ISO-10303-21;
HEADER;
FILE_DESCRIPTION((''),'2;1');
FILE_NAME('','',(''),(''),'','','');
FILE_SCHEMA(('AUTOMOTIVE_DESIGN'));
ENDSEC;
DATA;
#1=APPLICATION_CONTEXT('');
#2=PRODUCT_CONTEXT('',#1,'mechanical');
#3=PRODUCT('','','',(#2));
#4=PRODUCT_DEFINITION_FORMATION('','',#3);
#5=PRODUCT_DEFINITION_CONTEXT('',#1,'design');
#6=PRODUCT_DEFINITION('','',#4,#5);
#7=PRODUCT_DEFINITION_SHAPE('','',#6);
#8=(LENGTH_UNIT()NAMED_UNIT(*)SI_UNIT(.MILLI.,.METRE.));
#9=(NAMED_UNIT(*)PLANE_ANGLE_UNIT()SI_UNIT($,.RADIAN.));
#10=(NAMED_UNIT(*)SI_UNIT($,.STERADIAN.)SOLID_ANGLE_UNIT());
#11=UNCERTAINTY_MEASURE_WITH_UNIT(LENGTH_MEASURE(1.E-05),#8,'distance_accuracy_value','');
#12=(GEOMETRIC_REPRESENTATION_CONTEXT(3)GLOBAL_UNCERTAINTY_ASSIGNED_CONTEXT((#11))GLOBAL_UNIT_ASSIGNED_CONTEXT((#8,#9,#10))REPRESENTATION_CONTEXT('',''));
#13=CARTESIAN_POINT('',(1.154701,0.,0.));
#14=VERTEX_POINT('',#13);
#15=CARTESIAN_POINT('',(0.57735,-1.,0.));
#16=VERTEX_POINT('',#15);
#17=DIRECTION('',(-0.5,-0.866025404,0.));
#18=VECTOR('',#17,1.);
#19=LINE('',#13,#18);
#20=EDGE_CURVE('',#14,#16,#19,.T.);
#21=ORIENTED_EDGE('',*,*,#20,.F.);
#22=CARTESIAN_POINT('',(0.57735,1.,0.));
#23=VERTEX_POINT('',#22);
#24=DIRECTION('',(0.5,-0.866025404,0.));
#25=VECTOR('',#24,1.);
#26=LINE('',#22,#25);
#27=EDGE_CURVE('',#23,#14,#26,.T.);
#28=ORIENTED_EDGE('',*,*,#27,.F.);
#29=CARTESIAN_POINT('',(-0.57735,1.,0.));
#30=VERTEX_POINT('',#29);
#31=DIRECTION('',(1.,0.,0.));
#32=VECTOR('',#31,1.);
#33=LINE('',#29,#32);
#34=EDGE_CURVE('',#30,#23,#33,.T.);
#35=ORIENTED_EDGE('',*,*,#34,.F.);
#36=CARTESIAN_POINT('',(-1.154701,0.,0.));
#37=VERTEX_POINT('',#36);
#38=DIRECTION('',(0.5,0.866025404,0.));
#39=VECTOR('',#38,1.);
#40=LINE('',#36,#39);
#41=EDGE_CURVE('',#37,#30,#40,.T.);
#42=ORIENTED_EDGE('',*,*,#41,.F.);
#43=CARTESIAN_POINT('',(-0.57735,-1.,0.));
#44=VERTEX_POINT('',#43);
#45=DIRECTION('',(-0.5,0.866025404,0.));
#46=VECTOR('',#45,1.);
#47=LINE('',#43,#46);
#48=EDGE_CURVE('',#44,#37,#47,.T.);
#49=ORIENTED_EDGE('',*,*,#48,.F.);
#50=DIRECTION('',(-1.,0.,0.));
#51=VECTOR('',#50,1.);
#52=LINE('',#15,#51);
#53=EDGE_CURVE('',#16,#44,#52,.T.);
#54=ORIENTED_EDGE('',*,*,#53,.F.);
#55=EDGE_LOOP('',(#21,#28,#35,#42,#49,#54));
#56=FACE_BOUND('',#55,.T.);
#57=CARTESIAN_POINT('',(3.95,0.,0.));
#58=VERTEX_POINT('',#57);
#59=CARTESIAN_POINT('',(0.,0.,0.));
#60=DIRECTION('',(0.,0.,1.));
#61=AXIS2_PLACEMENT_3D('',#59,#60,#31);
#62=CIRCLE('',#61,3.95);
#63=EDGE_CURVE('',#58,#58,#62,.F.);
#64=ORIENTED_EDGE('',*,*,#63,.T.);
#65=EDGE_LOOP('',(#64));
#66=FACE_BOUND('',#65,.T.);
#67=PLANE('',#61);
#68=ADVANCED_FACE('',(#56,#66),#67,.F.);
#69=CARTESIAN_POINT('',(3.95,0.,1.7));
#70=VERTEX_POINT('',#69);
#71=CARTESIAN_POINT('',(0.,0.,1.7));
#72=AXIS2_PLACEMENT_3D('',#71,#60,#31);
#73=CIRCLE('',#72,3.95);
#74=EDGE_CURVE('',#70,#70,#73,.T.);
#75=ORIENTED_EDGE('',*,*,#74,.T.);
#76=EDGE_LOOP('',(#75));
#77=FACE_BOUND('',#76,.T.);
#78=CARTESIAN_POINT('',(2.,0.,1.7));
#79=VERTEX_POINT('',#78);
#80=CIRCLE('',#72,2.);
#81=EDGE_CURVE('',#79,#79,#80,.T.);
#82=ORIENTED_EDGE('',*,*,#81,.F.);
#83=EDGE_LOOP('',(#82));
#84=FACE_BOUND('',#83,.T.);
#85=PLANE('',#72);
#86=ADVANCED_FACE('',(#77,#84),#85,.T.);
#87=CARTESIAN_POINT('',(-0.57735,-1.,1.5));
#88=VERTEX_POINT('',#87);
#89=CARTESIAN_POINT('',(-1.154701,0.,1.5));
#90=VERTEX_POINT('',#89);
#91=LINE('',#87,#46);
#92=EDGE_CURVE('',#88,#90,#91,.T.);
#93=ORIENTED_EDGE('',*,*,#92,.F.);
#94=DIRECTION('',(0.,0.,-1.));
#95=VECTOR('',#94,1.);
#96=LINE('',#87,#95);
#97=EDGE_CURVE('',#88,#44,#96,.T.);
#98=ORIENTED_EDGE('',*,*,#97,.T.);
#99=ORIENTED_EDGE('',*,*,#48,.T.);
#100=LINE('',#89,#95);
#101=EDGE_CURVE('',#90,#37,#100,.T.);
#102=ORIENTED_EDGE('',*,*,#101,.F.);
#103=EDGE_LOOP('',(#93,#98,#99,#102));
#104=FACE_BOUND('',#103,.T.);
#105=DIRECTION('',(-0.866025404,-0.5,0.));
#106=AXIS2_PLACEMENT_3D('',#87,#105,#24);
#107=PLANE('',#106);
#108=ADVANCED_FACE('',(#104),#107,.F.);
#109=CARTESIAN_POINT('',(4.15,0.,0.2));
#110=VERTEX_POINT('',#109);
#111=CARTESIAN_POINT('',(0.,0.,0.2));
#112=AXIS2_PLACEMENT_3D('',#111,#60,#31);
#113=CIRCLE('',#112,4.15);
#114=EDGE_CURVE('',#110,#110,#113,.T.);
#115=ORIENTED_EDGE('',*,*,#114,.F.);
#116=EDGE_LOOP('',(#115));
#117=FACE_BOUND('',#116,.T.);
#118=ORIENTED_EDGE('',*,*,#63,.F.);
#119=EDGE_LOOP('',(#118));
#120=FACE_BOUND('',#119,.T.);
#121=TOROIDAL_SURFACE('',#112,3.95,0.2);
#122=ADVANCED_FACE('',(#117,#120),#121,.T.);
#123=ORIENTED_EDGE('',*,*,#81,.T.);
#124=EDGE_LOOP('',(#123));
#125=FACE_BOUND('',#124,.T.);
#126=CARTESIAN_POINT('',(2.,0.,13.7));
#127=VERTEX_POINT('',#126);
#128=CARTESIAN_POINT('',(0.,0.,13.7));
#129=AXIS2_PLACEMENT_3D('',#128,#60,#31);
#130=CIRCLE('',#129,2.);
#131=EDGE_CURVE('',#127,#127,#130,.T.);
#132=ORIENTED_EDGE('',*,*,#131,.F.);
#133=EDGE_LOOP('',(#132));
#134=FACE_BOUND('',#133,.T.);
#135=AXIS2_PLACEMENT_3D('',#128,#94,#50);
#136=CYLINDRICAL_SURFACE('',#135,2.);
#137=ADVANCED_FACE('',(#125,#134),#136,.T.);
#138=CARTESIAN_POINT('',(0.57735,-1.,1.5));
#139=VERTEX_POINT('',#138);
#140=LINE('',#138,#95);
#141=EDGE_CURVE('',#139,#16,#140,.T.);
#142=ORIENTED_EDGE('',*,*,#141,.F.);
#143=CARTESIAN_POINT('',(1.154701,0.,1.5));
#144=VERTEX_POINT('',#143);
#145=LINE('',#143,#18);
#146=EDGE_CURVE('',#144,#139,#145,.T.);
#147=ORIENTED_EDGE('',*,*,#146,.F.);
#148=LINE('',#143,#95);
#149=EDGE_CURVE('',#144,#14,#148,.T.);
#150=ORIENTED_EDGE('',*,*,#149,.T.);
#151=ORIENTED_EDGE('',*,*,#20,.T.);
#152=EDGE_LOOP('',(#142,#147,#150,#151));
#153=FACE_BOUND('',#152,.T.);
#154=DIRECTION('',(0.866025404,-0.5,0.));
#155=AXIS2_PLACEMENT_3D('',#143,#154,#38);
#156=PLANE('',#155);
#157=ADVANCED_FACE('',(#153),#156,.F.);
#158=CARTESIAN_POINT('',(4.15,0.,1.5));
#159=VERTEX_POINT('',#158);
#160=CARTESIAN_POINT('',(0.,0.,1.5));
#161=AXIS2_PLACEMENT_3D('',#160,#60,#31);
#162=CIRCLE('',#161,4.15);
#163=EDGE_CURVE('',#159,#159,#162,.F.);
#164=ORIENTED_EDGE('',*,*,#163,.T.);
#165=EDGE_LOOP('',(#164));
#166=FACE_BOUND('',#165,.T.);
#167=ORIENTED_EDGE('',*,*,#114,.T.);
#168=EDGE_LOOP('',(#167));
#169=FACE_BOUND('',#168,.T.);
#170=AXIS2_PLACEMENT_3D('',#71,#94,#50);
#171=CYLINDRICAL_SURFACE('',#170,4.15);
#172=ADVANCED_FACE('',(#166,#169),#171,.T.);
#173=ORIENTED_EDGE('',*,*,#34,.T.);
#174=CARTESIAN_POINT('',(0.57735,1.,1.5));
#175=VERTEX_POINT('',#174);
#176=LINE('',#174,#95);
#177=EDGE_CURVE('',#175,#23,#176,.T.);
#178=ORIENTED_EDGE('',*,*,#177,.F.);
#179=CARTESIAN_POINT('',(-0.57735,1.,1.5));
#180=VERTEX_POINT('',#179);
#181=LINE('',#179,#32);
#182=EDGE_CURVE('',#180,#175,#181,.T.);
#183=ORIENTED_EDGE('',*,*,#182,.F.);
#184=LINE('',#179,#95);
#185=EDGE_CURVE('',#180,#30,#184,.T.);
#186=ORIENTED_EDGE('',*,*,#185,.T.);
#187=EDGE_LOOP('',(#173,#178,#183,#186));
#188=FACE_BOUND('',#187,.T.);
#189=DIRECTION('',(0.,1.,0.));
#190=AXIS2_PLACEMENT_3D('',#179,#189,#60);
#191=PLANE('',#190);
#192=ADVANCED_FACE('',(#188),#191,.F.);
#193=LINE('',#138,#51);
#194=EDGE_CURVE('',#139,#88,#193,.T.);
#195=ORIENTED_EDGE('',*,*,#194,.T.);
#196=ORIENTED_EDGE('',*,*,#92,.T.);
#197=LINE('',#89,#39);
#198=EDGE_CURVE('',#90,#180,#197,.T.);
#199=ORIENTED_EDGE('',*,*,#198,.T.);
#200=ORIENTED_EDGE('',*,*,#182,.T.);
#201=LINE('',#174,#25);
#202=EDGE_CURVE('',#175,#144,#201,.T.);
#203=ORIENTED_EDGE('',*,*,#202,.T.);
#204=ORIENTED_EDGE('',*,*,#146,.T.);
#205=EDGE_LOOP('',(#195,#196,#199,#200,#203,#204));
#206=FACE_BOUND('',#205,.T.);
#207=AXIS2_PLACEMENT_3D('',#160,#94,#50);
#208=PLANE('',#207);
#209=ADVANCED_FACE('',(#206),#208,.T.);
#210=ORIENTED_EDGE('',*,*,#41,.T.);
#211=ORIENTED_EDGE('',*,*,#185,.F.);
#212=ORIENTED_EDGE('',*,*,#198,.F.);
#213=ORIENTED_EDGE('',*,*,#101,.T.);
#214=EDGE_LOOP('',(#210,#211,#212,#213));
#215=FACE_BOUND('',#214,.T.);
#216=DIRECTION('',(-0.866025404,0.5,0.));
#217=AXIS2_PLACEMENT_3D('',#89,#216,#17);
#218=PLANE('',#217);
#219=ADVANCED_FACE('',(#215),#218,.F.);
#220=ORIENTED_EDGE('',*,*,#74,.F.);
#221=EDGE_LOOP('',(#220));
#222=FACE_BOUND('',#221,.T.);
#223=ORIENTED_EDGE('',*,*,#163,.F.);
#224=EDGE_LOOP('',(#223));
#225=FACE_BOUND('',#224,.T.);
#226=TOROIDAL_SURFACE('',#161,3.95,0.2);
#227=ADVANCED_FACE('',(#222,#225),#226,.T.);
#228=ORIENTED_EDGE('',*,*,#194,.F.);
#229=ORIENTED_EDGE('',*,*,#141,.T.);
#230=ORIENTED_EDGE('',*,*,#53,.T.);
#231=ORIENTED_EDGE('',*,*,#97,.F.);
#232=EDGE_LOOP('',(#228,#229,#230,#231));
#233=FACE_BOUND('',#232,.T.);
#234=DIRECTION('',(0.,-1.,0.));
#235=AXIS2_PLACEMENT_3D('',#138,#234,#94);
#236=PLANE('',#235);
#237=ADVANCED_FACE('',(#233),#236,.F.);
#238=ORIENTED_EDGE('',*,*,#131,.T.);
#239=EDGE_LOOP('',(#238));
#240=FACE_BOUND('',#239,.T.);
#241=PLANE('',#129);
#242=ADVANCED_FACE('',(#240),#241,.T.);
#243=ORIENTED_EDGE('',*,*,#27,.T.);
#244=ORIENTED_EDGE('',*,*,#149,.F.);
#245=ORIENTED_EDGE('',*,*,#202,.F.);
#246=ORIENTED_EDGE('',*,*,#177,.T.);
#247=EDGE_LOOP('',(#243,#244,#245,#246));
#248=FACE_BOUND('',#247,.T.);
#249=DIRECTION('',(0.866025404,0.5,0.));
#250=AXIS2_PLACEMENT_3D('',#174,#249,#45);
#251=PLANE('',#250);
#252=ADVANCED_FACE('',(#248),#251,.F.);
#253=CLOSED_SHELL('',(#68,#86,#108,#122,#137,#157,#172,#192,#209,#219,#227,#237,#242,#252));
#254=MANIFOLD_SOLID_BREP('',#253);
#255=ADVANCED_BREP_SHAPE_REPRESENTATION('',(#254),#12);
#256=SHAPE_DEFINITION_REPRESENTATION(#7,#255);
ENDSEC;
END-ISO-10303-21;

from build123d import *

# Parameters (mm, degrees)
SKETCH_1_R          = 4.15
EXTRUDE_1_DEPTH     = 1.7
SKETCH_2_R          = 2
EXTRUDE_2_DEPTH     = 12
FILLET_1_R          = 0.2
CUT_EXTRUDE_1_DEPTH = 1.5


with BuildPart() as part:
    # 草图1 → 凸台-拉伸1 (new body)
    with BuildSketch(Plane.XY):
        Circle(SKETCH_1_R)
    extrude(amount=EXTRUDE_1_DEPTH)

    # 草图2 → 凸台-拉伸2 (add)
    with BuildSketch(Plane.XY.offset(1.7)):
        Circle(SKETCH_2_R)
    extrude(amount=EXTRUDE_2_DEPTH)

    # 圆角1
    fillet_1_edges = [part.edges().sort_by_distance(p)[0] for p in [
        (-4.15, 0, 0),
        (-4.15, 0, 1.7),
    ]]
    fillet(fillet_1_edges, radius=FILLET_1_R)

    # 草图3 → 切除-拉伸1 (cut)
    with BuildSketch(Plane(origin=(0, 0, 0), x_dir=(-1, 0, 0), z_dir=(0, 0, -1))):
        Polygon((1.154700538, 0), (0.577350269, 1), (-0.577350269, 1), (-1.154700538, 0), (-0.577350269, -1), (0.577350269, -1), align=None)
    extrude(amount=-CUT_EXTRUDE_1_DEPTH, mode=Mode.SUBTRACT)


solid = part.part
